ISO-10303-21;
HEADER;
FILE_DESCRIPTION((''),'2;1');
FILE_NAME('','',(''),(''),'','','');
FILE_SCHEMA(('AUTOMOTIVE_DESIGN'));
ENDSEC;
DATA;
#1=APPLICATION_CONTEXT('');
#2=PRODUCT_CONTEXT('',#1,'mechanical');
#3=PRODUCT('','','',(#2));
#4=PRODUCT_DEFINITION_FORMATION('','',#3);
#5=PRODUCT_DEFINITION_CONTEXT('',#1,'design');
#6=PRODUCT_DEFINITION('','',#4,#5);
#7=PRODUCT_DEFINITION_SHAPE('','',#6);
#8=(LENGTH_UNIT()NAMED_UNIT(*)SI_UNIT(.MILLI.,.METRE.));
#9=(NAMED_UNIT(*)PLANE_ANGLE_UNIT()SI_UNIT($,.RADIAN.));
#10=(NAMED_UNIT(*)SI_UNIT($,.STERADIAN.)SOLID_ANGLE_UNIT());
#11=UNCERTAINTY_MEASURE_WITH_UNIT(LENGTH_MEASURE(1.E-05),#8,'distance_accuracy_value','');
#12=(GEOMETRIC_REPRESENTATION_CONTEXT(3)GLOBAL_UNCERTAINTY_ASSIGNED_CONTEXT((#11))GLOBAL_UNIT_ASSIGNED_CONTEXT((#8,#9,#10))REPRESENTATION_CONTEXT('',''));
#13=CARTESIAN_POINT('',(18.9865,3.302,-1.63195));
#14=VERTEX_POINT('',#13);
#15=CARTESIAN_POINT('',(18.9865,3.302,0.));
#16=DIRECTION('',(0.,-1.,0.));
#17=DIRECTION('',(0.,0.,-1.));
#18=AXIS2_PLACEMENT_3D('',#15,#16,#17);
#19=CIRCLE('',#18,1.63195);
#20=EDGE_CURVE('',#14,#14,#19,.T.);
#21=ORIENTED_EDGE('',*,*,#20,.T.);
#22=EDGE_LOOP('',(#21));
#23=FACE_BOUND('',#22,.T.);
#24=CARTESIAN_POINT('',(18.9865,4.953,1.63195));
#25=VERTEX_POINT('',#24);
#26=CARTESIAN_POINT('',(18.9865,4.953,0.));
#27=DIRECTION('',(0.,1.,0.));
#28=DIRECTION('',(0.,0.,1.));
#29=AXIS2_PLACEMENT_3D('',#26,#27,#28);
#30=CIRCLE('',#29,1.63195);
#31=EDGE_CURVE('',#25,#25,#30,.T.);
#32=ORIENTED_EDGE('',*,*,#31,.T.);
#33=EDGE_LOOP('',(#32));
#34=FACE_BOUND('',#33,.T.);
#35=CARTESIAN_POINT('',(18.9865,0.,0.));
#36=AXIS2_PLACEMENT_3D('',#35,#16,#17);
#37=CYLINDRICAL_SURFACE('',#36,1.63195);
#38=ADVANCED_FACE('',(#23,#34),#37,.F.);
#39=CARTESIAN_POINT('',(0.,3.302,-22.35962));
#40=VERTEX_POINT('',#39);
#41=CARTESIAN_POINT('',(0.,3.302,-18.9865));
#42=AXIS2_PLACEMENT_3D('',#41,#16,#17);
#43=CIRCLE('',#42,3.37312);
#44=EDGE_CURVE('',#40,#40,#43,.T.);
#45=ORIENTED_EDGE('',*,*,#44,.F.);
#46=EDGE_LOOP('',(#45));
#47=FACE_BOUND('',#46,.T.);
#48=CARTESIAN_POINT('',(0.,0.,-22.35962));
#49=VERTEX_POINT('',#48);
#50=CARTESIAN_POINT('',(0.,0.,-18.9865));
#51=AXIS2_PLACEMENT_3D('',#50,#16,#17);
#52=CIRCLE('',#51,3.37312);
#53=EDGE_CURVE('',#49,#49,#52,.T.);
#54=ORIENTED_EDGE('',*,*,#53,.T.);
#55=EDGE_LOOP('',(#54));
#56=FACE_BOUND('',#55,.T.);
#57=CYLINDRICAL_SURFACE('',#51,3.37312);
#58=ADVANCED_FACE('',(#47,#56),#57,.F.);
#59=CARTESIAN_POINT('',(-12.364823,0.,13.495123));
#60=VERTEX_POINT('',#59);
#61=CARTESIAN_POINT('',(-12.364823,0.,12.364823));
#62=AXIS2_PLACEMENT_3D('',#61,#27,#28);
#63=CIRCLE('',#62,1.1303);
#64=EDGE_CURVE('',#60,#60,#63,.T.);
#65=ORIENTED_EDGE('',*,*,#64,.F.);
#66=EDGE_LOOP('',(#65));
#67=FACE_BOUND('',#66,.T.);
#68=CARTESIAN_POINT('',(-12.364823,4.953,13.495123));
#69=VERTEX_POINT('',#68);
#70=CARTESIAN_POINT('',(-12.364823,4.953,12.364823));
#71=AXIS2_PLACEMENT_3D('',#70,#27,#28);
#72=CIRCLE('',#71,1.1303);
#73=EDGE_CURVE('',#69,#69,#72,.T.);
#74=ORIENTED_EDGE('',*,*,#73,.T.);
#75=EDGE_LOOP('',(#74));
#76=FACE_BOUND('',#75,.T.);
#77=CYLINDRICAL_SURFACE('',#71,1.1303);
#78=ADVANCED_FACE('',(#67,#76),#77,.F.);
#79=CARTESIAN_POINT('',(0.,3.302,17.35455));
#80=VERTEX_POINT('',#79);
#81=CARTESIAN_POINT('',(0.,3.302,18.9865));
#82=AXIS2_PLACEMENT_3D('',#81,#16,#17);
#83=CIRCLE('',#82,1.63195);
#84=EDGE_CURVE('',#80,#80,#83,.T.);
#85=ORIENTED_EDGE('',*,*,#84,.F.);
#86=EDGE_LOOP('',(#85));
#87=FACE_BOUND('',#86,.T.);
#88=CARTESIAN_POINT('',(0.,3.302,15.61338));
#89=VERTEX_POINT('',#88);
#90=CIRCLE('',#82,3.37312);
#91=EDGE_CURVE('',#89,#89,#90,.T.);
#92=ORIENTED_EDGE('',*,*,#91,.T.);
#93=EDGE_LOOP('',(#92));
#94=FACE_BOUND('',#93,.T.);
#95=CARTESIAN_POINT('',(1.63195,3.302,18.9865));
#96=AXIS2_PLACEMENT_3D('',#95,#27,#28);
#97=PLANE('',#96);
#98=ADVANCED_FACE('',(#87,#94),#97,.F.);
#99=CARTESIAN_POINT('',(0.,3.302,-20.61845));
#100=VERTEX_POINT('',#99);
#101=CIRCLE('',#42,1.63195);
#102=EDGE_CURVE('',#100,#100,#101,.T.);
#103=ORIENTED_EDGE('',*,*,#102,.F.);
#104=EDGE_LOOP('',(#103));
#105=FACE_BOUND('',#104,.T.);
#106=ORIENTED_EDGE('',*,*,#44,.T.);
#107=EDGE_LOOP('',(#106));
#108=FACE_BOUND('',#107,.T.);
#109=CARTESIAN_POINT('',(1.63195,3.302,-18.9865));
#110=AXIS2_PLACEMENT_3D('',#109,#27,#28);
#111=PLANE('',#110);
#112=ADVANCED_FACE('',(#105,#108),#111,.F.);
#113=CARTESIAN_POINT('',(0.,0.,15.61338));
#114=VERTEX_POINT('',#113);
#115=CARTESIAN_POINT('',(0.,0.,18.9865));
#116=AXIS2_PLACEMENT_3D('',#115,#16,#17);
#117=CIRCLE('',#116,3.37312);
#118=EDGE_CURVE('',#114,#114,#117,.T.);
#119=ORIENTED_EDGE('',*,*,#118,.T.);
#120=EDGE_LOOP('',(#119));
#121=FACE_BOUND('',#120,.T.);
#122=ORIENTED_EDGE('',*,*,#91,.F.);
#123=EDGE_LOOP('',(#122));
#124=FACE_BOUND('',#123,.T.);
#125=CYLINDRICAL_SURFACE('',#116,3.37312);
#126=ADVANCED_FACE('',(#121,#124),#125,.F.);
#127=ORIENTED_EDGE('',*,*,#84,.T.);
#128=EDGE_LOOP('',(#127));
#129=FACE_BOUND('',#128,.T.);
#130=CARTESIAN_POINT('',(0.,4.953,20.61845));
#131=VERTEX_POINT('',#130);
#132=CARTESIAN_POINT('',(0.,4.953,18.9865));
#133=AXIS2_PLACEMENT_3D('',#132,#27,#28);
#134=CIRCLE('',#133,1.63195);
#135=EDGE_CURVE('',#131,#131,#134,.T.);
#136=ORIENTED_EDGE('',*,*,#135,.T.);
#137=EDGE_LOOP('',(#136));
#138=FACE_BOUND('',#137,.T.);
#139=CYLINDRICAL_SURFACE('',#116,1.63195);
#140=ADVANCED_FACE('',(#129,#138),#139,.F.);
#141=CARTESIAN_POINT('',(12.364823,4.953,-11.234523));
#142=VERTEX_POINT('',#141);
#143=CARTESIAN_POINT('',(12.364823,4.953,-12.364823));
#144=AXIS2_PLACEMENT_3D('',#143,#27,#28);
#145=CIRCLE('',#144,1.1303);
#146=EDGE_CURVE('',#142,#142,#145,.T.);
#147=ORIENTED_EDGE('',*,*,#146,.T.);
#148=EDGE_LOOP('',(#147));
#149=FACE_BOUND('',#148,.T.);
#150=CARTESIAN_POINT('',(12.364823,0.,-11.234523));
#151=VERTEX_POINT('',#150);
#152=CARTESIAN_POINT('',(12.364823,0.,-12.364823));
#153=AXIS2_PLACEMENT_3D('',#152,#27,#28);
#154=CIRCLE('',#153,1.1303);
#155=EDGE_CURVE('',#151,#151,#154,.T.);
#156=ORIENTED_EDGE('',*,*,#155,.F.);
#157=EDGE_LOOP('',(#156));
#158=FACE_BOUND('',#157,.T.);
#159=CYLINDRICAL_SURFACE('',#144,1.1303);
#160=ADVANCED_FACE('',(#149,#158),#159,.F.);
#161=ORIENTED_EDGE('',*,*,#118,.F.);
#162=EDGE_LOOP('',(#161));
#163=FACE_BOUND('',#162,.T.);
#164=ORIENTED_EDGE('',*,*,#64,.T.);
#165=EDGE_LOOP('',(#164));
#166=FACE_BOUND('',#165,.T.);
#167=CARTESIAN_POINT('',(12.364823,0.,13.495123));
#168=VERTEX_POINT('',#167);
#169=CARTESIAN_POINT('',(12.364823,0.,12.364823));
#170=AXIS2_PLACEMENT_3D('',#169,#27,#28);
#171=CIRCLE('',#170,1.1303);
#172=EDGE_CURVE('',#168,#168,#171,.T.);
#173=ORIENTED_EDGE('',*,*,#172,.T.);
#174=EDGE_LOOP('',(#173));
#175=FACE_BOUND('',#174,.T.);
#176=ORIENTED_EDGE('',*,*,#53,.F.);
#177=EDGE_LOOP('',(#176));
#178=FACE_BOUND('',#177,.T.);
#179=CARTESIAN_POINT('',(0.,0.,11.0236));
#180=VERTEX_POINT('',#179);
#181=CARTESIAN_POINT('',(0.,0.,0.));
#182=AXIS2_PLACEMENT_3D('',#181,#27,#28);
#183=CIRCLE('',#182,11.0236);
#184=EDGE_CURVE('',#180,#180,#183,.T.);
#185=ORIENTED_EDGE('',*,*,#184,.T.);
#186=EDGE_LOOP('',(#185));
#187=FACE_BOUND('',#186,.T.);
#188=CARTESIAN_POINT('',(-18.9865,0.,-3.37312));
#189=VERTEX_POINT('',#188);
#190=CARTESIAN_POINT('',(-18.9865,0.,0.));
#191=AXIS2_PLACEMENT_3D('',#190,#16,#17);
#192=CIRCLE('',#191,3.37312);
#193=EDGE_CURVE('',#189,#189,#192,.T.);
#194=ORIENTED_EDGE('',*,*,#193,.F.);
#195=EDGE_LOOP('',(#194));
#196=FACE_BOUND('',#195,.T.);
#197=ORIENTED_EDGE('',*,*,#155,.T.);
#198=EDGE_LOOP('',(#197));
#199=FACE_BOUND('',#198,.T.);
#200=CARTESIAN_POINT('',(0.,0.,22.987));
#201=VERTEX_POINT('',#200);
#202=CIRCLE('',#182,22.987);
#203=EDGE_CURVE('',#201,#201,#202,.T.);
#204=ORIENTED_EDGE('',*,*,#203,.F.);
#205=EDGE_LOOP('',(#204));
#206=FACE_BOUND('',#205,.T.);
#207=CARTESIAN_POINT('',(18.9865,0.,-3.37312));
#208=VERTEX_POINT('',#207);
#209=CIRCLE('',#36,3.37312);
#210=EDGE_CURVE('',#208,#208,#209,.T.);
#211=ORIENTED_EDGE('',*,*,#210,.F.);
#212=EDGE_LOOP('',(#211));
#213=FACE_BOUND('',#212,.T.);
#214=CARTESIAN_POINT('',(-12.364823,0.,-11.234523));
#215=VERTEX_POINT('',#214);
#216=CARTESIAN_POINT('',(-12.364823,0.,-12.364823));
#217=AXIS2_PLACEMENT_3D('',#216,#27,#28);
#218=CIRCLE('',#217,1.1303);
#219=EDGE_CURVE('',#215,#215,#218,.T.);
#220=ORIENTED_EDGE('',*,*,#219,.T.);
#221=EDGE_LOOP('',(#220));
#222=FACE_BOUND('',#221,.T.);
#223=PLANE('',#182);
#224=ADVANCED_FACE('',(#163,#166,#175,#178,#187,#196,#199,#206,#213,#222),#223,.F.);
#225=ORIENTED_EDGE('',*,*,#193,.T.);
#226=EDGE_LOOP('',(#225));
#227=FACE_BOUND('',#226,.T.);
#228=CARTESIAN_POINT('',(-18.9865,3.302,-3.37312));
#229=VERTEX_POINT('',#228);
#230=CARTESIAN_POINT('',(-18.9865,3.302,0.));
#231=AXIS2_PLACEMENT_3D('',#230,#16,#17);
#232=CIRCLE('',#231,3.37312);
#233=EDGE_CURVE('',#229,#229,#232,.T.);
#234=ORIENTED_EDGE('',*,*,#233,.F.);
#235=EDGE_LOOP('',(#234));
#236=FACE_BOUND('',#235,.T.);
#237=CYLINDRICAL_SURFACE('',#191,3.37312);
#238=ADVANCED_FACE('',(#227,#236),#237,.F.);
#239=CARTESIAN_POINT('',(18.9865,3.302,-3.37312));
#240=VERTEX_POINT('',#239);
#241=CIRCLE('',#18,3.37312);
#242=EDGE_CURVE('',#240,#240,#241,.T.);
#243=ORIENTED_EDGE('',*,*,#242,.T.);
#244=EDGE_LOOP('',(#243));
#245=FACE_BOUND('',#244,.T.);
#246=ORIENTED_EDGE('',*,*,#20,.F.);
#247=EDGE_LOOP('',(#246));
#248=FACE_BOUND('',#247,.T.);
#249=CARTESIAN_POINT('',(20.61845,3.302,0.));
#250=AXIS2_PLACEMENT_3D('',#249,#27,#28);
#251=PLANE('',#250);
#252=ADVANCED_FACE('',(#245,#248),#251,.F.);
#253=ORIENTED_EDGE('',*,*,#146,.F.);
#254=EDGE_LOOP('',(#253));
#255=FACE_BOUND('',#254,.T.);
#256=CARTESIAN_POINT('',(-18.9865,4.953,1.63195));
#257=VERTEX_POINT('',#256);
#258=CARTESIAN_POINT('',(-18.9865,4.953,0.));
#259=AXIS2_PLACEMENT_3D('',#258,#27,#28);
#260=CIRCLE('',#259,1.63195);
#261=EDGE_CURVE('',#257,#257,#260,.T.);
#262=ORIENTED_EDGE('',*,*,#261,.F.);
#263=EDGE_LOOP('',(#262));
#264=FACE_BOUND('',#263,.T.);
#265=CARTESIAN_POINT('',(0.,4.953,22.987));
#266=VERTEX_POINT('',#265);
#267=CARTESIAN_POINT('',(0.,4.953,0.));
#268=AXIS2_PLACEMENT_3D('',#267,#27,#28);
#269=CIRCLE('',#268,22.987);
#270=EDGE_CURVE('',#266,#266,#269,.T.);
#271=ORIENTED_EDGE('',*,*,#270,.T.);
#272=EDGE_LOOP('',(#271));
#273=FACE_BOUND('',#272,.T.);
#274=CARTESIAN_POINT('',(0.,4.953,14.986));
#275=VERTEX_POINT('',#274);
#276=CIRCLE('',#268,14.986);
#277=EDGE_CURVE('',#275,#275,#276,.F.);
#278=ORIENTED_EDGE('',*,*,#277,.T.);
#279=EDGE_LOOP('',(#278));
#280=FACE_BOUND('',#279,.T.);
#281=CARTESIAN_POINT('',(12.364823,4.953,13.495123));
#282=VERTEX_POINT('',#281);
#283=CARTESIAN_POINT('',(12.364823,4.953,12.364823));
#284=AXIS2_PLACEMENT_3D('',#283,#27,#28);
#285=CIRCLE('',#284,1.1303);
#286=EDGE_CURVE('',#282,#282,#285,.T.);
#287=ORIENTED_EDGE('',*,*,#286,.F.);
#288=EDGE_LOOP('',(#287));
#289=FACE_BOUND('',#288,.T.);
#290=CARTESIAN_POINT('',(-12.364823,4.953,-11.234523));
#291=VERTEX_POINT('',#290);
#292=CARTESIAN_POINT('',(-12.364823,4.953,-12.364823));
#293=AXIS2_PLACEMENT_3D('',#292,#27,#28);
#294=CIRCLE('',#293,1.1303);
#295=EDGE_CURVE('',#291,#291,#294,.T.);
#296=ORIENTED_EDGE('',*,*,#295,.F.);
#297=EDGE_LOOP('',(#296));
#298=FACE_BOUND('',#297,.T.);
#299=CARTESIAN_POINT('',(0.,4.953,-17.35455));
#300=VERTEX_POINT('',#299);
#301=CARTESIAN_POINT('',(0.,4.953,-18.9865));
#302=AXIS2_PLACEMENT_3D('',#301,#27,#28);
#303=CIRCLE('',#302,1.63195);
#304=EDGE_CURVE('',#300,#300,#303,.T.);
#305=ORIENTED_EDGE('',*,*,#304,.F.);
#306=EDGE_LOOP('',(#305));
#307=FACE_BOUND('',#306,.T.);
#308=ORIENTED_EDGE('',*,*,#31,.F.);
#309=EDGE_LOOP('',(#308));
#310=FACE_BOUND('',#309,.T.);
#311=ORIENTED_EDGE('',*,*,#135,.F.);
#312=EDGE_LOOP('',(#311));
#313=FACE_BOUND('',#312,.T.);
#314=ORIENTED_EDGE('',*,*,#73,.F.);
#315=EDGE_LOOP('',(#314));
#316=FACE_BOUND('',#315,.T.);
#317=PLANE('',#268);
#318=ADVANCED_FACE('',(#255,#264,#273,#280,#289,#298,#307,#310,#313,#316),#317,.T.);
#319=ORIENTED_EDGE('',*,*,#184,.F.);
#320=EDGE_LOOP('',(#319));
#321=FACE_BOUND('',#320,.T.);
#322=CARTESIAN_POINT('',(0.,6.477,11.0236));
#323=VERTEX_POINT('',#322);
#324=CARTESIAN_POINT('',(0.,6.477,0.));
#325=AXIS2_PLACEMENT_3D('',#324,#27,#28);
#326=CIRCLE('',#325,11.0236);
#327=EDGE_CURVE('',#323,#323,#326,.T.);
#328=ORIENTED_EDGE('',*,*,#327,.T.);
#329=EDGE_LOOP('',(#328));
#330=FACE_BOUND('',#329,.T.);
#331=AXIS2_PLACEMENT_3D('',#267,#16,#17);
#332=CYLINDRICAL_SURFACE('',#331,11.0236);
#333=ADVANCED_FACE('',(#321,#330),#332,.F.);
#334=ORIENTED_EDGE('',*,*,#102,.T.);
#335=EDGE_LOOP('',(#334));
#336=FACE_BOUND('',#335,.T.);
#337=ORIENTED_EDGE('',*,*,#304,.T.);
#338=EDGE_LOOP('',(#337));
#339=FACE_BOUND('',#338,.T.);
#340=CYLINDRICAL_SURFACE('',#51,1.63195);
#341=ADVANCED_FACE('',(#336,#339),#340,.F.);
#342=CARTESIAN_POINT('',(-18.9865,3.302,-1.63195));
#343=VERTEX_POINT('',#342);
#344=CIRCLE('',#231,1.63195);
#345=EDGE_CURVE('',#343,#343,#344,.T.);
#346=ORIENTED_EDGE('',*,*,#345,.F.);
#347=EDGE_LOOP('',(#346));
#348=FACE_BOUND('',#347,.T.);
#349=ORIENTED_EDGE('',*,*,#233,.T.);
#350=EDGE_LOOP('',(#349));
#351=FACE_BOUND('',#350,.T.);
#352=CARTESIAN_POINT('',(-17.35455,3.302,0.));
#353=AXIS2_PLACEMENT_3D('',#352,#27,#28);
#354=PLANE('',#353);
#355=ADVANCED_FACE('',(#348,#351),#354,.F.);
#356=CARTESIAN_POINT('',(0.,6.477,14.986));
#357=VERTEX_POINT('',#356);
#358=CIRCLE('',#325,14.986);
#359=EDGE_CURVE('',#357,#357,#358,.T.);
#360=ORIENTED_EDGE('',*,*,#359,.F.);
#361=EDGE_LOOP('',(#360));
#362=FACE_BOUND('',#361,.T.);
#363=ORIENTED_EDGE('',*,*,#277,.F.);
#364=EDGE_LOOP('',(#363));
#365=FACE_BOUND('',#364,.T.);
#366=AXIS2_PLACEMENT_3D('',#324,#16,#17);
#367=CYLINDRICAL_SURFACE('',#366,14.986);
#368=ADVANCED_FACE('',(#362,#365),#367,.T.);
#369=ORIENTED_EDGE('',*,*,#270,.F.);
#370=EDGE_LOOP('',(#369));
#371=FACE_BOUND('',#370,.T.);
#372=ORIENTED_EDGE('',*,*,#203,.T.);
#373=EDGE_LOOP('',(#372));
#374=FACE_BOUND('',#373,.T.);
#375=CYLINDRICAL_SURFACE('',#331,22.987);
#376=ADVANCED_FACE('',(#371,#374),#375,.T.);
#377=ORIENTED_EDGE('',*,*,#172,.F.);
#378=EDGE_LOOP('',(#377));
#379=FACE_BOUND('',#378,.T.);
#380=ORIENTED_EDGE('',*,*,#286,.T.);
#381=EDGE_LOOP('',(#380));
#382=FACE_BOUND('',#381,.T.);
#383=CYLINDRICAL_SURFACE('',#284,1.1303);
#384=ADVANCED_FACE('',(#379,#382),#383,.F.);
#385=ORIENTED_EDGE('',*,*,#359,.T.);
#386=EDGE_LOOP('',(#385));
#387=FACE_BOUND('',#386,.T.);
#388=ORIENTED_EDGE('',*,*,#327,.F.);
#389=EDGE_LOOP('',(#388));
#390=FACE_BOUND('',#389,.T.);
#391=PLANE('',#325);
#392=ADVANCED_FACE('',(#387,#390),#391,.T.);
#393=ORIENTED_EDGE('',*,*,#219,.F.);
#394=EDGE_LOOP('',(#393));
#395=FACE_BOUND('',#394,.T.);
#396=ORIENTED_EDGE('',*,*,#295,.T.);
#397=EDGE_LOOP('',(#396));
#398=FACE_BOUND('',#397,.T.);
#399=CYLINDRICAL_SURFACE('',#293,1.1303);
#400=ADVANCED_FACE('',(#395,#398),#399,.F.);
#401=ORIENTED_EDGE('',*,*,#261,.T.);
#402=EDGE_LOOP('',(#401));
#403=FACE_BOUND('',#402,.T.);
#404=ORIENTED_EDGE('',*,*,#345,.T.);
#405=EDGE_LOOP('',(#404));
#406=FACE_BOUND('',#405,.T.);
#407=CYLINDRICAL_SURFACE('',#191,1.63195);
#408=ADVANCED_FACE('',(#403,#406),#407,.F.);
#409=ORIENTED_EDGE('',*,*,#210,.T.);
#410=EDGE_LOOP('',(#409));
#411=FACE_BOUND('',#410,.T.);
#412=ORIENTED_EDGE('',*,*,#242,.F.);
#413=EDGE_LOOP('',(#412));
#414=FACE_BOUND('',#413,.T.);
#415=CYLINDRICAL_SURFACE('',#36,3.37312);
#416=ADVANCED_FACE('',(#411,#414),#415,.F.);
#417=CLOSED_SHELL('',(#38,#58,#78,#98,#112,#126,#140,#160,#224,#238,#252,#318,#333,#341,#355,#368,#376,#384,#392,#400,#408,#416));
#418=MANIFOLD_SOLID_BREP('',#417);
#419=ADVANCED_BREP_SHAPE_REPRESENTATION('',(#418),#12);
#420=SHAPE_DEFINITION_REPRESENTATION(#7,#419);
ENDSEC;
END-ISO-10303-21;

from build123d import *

# Parameters (mm, degrees)
SKETCH1_R                                           = 22.987
SKETCH1_R_2                                         = 11.0236
BOSS_EXTRUDE1_DEPTH                                 = 4.953
SKETCH1_3_R                                         = 14.986
SKETCH1_3_R_2                                       = 11.0236
BOSS_EXTRUDE2_DEPTH                                 = 6.477
F_4_40_TAPPED_HOLE1_D                               = 2.2606
CBORE_FOR_4_BINDING_HEAD_MACHINE_SCREW1_D           = 3.2639
CBORE_FOR_4_BINDING_HEAD_MACHINE_SCREW1_CBORE_D     = 6.74624
CBORE_FOR_4_BINDING_HEAD_MACHINE_SCREW1_CBORE_DEPTH = 3.302


with BuildPart() as part:
    # Sketch1 → Boss-Extrude1 (new body)
    with BuildSketch(Plane(origin=(0, 0, 0), x_dir=(1, 0, 0), z_dir=(0, 1, 0))):
        Circle(SKETCH1_R)
        Circle(SKETCH1_R_2, mode=Mode.SUBTRACT)
    extrude(amount=BOSS_EXTRUDE1_DEPTH)

    # Sketch1<3> → Boss-Extrude2 (add)
    with BuildSketch(Plane(origin=(0, 0, 0), x_dir=(1, 0, 0), z_dir=(0, 1, 0))):
        Circle(SKETCH1_3_R)
        Circle(SKETCH1_3_R_2, mode=Mode.SUBTRACT)
    extrude(amount=BOSS_EXTRUDE2_DEPTH)

    # #4-40 Tapped Hole1 (through all)
    with Locations(Plane(origin=(-12.364822729, 4.953, -12.364822729), x_dir=(0, 0, 1), z_dir=(0, 1, 0))):
        with Locations((0, 0), (0, 24.729645458), (24.729645458, 24.729645458), (24.729645458, 0)):
            Hole(F_4_40_TAPPED_HOLE1_D / 2)

    # CBORE for #4 Binding Head Machine Screw1 (through all)
    with Locations(Plane(origin=(0, 0, -18.9865), x_dir=(0, 0, -1), z_dir=(0, -1, 0))):
        with Locations((0, 0), (-18.9865, -18.9865), (-37.973, 0), (-18.9865, 18.9865)):
            CounterBoreHole(CBORE_FOR_4_BINDING_HEAD_MACHINE_SCREW1_D / 2, CBORE_FOR_4_BINDING_HEAD_MACHINE_SCREW1_CBORE_D / 2, CBORE_FOR_4_BINDING_HEAD_MACHINE_SCREW1_CBORE_DEPTH)


solid = part.part
